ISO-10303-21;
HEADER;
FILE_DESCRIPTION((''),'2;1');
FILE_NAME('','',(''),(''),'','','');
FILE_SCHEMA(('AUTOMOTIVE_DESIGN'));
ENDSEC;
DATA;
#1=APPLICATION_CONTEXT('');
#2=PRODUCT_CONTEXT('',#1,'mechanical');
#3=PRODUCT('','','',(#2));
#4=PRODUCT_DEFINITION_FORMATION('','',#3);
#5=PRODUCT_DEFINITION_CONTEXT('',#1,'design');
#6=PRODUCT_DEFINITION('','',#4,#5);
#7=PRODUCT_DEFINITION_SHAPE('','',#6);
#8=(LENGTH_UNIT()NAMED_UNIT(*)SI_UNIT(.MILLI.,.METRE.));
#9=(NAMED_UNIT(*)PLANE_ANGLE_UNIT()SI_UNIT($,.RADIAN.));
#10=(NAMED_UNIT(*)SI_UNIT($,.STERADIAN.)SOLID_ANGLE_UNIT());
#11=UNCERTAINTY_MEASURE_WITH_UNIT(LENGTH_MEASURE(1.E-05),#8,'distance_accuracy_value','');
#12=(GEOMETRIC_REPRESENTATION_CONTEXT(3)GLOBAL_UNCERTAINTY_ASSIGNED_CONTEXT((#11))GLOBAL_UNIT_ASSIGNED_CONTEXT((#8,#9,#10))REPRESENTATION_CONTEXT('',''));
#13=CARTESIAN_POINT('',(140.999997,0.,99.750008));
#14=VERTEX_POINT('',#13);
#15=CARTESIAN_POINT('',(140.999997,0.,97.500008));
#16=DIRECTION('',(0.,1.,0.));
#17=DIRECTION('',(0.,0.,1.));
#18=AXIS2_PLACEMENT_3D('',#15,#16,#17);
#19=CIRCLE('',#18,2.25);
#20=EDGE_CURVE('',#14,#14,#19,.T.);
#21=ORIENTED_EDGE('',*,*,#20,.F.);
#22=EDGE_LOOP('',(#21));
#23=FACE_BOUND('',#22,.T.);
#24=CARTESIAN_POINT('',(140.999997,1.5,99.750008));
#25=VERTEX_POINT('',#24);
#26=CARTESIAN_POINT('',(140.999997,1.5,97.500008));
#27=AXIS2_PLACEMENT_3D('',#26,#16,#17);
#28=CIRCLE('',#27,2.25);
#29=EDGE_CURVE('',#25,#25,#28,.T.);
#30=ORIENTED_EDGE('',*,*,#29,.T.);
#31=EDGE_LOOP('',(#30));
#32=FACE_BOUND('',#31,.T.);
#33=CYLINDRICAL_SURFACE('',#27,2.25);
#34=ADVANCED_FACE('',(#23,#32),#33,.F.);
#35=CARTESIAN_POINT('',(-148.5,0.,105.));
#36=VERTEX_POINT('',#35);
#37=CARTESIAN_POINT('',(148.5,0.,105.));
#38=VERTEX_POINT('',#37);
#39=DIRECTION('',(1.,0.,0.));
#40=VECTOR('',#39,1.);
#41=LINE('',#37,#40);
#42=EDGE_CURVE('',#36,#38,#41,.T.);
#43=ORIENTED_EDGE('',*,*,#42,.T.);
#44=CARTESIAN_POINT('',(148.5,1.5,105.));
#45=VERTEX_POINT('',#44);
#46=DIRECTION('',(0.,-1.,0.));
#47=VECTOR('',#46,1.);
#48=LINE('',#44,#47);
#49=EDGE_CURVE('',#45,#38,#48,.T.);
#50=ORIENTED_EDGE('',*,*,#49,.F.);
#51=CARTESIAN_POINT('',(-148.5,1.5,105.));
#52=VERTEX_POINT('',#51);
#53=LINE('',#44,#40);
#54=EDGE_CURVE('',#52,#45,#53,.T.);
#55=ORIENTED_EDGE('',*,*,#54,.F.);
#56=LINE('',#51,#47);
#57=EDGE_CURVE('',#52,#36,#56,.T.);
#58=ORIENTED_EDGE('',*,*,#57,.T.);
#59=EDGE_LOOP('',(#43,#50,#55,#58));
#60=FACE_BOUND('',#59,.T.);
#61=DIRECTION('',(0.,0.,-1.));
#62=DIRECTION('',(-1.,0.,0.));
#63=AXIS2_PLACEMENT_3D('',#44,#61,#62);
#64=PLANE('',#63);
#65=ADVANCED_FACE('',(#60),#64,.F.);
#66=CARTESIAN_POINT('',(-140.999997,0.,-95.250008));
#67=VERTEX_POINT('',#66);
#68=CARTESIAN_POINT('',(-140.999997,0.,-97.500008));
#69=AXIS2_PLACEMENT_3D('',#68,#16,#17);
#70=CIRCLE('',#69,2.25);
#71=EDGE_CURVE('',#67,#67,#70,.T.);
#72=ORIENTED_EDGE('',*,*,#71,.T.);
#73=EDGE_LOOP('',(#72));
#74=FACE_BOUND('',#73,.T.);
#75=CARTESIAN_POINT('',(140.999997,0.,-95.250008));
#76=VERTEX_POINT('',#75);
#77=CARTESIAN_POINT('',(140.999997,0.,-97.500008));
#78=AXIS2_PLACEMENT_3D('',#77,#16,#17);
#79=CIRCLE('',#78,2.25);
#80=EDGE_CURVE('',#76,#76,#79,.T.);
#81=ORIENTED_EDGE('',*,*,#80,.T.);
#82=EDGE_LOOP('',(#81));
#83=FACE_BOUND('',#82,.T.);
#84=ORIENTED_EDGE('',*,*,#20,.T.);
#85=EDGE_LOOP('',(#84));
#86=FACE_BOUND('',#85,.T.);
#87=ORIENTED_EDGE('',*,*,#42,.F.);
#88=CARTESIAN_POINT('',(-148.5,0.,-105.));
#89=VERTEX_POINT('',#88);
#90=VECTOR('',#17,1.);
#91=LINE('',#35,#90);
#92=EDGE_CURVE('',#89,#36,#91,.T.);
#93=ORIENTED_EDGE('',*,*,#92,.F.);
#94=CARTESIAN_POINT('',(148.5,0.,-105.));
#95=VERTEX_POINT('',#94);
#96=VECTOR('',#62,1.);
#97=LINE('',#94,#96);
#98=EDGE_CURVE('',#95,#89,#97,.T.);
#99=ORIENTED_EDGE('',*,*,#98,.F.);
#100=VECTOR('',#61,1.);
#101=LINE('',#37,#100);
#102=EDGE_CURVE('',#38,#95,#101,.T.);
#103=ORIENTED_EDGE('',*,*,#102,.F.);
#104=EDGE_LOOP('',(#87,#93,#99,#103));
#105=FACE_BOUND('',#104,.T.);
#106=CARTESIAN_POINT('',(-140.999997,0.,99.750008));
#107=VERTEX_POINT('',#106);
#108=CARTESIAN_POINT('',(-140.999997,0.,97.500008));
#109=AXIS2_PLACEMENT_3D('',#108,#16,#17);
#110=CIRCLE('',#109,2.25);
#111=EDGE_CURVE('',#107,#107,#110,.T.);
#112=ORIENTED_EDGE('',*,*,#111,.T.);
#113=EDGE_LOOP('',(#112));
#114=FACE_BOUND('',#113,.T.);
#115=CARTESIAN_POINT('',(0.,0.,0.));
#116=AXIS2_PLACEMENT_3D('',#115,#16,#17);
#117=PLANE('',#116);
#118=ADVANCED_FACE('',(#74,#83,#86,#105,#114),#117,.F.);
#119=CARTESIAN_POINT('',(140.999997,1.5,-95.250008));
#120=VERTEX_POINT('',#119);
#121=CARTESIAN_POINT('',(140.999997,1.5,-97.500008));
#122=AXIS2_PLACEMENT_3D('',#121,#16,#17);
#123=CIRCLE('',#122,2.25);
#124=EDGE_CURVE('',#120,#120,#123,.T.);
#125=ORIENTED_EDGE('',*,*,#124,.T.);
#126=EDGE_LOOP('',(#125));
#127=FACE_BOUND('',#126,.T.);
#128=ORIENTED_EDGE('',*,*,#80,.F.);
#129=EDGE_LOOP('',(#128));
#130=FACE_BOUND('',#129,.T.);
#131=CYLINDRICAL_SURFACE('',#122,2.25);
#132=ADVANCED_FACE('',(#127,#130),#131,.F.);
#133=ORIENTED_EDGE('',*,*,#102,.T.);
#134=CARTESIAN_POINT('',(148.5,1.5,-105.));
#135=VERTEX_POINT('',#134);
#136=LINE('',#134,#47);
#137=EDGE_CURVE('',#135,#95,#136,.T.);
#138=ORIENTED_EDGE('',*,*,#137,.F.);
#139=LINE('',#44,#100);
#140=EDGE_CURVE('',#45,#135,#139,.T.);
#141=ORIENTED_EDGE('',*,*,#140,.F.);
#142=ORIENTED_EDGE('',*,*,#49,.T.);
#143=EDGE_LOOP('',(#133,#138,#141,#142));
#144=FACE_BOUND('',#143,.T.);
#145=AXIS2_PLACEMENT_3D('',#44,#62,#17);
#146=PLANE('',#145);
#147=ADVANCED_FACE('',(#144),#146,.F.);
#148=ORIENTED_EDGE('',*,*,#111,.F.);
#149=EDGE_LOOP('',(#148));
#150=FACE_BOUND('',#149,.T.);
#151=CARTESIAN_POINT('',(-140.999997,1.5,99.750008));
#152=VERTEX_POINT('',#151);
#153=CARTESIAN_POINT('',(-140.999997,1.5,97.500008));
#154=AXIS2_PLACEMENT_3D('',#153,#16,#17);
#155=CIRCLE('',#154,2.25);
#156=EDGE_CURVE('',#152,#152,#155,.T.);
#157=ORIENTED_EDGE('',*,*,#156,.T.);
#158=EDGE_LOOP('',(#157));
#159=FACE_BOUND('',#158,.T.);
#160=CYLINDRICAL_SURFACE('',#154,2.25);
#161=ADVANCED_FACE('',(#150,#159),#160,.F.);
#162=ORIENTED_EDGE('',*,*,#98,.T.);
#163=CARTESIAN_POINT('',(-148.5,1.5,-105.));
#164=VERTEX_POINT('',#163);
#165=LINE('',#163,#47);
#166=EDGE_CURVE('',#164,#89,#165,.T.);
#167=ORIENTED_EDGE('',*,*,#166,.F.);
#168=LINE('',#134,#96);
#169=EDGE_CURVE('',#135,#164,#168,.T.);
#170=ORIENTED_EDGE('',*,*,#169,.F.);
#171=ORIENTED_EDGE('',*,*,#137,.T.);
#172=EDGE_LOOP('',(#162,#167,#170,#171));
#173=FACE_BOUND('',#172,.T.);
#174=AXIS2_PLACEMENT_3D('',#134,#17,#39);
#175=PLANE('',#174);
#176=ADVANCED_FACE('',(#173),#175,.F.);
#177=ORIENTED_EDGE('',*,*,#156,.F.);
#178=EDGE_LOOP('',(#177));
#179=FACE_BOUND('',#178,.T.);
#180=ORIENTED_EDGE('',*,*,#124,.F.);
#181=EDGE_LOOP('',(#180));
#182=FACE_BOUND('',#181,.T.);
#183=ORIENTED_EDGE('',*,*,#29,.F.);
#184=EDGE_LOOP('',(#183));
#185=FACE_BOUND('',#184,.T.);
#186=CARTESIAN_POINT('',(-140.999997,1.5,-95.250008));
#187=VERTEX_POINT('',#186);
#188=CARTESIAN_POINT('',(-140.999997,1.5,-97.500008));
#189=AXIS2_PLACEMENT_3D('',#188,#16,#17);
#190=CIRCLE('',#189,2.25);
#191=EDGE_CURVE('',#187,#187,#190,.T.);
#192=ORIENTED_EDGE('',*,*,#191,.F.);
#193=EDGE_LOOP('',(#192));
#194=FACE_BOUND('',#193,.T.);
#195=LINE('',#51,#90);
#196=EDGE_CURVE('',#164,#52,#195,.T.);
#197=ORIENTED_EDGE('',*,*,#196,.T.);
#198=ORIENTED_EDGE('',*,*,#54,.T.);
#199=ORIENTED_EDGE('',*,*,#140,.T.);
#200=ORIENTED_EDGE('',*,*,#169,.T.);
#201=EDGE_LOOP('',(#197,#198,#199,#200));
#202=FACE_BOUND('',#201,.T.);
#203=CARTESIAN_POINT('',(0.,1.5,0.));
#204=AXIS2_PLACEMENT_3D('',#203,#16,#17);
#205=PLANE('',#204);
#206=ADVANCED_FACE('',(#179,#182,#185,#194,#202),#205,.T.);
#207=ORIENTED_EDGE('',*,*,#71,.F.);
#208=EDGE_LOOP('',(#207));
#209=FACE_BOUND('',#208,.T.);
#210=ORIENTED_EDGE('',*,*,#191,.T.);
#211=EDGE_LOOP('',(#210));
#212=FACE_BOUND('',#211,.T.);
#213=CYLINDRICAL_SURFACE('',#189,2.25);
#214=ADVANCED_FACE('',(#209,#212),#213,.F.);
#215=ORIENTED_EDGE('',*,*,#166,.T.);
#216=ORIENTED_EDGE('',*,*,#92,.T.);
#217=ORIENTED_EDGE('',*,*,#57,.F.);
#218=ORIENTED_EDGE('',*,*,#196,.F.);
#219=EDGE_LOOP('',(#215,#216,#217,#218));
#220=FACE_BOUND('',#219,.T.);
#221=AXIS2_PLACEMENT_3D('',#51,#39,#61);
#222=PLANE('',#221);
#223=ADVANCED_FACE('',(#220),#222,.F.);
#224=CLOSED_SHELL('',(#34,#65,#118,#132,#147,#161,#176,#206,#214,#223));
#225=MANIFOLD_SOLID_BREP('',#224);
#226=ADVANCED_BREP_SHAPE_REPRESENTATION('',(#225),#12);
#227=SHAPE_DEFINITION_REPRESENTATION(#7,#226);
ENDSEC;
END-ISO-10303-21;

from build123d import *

# Parameters (mm, degrees)
SKETCH1_W            = 297
SKETCH1_H            = 210
BOSS_EXTRUDE1_DEPTH  = 1.5
M4_CLEARANCE_HOLE1_D = 4.5


with BuildPart() as part:
    # Sketch1 → Boss-Extrude1 (new body)
    with BuildSketch(Plane(origin=(0, 0, 0), x_dir=(1, 0, 0), z_dir=(0, 1, 0))):
        Rectangle(SKETCH1_W, SKETCH1_H)
    extrude(amount=BOSS_EXTRUDE1_DEPTH)

    # M4 Clearance Hole1 (through all)
    with Locations(Plane(origin=(0, 1.5, 0), x_dir=(1, 0, 0), z_dir=(0, 1, 0))):
        with Locations((-140.9999974, 97.5000082), (-140.9999974, -97.5000082), (140.9999974, -97.5000082), (140.9999974, 97.5000082)):
            Hole(M4_CLEARANCE_HOLE1_D / 2)


solid = part.part
